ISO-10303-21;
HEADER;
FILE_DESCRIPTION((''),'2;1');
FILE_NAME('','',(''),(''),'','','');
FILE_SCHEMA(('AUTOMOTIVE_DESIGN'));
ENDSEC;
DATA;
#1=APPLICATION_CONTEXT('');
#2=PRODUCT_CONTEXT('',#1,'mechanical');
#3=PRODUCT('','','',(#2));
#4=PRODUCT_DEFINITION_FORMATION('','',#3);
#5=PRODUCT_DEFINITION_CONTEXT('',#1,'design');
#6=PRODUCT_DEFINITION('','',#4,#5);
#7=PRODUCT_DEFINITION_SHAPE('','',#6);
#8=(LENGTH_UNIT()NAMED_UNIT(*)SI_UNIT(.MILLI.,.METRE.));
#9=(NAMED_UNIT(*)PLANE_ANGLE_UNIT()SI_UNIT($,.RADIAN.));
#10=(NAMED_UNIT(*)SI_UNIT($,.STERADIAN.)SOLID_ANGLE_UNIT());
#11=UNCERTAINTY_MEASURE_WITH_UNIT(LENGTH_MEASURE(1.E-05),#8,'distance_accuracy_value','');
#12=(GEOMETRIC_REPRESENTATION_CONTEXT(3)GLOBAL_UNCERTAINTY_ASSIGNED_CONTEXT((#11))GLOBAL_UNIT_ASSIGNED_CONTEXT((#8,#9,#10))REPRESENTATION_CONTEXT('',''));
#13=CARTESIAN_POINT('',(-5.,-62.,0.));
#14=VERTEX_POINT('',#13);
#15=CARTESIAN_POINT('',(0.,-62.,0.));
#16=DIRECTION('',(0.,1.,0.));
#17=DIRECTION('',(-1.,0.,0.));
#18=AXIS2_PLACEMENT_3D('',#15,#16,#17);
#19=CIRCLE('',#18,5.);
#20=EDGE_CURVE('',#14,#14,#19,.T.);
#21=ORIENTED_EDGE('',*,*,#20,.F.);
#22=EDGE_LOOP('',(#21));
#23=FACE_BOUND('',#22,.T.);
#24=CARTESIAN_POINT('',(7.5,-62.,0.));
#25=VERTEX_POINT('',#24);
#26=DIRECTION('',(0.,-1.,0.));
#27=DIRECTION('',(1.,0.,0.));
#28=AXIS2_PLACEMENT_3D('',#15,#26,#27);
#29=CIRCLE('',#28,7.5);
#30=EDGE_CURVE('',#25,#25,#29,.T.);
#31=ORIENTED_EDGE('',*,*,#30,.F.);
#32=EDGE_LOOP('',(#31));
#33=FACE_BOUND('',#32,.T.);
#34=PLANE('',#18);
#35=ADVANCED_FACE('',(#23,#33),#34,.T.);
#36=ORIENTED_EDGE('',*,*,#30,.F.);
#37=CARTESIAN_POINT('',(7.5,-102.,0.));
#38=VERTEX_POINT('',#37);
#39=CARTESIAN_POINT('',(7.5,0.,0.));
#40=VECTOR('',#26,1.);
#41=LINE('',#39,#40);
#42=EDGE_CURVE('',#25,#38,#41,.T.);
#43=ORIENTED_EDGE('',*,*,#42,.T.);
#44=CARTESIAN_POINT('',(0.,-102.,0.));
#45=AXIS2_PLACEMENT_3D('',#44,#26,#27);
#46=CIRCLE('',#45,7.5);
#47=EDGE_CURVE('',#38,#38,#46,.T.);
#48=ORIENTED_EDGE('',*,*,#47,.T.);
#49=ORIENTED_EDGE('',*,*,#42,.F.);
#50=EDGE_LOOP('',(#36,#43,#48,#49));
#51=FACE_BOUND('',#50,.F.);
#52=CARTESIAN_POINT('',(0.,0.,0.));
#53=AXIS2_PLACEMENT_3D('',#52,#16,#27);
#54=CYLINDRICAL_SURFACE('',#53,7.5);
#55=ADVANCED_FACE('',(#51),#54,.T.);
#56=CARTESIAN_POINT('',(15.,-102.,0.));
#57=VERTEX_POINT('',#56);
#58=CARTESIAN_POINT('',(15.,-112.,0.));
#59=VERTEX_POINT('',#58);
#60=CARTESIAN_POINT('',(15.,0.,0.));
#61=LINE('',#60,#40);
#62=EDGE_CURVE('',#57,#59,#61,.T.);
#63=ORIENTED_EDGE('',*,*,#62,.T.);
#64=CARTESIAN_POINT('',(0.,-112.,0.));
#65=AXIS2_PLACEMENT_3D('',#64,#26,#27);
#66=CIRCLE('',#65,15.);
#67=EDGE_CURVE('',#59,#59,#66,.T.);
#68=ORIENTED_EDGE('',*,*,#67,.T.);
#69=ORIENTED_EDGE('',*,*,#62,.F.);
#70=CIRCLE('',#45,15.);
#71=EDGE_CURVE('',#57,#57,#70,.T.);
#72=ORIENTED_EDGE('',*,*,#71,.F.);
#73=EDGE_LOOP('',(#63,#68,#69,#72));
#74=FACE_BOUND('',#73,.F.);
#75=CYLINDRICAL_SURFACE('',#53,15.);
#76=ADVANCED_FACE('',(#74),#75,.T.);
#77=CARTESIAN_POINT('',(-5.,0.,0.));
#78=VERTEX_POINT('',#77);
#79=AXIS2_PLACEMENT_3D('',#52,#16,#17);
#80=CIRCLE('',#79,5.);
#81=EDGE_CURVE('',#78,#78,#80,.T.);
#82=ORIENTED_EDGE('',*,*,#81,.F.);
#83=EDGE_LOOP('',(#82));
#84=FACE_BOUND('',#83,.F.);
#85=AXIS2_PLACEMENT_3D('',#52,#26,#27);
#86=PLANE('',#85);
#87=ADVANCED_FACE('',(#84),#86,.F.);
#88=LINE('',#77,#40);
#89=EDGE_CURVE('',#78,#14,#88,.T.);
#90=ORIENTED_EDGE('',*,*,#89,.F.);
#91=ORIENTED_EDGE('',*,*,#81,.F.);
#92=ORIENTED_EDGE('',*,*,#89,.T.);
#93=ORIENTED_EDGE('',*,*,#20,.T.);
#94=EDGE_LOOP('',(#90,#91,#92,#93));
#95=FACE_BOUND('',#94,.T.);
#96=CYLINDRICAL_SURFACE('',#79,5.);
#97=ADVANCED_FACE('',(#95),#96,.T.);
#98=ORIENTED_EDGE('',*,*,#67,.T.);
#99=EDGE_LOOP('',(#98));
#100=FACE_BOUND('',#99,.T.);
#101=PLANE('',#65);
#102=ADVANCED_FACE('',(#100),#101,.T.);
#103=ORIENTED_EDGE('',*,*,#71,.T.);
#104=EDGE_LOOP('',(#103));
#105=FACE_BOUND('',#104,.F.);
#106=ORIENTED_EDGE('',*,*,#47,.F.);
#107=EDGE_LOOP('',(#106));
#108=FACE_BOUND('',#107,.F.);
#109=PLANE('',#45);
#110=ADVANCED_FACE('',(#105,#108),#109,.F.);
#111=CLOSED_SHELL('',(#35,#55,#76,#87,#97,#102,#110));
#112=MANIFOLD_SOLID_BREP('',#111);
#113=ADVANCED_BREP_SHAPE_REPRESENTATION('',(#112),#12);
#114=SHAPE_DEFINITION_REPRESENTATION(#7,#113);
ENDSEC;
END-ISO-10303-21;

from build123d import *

# Parameters (mm, degrees)
F0_R     = 15
F1_DEPTH = 112
F2_R     = 15
F2_R_2   = 7.5
F3_DEPTH = 102
F4_R     = 7.5
F4_R_2   = 5
F5_DEPTH = 62


with BuildPart() as f1:
    # F0 (on Front) → F1 (new body)
    with BuildSketch(Plane.XZ):
        Circle(F0_R)
    extrude(amount=F1_DEPTH)

    # F2 (on Front) → F3 (cut)
    with BuildSketch(Plane.XZ):
        Circle(F2_R)
        Circle(F2_R_2, mode=Mode.SUBTRACT)
    extrude(amount=F3_DEPTH, mode=Mode.SUBTRACT)

    # F4 (on face) → F5 (cut)
    with BuildSketch(Plane(origin=(0, 0, 0), x_dir=(-1, 0, 0), z_dir=(0, 1, 0))):
        Circle(F4_R)
        Circle(F4_R_2, mode=Mode.SUBTRACT)
    extrude(amount=-F5_DEPTH, mode=Mode.SUBTRACT)


solid = f1.part
